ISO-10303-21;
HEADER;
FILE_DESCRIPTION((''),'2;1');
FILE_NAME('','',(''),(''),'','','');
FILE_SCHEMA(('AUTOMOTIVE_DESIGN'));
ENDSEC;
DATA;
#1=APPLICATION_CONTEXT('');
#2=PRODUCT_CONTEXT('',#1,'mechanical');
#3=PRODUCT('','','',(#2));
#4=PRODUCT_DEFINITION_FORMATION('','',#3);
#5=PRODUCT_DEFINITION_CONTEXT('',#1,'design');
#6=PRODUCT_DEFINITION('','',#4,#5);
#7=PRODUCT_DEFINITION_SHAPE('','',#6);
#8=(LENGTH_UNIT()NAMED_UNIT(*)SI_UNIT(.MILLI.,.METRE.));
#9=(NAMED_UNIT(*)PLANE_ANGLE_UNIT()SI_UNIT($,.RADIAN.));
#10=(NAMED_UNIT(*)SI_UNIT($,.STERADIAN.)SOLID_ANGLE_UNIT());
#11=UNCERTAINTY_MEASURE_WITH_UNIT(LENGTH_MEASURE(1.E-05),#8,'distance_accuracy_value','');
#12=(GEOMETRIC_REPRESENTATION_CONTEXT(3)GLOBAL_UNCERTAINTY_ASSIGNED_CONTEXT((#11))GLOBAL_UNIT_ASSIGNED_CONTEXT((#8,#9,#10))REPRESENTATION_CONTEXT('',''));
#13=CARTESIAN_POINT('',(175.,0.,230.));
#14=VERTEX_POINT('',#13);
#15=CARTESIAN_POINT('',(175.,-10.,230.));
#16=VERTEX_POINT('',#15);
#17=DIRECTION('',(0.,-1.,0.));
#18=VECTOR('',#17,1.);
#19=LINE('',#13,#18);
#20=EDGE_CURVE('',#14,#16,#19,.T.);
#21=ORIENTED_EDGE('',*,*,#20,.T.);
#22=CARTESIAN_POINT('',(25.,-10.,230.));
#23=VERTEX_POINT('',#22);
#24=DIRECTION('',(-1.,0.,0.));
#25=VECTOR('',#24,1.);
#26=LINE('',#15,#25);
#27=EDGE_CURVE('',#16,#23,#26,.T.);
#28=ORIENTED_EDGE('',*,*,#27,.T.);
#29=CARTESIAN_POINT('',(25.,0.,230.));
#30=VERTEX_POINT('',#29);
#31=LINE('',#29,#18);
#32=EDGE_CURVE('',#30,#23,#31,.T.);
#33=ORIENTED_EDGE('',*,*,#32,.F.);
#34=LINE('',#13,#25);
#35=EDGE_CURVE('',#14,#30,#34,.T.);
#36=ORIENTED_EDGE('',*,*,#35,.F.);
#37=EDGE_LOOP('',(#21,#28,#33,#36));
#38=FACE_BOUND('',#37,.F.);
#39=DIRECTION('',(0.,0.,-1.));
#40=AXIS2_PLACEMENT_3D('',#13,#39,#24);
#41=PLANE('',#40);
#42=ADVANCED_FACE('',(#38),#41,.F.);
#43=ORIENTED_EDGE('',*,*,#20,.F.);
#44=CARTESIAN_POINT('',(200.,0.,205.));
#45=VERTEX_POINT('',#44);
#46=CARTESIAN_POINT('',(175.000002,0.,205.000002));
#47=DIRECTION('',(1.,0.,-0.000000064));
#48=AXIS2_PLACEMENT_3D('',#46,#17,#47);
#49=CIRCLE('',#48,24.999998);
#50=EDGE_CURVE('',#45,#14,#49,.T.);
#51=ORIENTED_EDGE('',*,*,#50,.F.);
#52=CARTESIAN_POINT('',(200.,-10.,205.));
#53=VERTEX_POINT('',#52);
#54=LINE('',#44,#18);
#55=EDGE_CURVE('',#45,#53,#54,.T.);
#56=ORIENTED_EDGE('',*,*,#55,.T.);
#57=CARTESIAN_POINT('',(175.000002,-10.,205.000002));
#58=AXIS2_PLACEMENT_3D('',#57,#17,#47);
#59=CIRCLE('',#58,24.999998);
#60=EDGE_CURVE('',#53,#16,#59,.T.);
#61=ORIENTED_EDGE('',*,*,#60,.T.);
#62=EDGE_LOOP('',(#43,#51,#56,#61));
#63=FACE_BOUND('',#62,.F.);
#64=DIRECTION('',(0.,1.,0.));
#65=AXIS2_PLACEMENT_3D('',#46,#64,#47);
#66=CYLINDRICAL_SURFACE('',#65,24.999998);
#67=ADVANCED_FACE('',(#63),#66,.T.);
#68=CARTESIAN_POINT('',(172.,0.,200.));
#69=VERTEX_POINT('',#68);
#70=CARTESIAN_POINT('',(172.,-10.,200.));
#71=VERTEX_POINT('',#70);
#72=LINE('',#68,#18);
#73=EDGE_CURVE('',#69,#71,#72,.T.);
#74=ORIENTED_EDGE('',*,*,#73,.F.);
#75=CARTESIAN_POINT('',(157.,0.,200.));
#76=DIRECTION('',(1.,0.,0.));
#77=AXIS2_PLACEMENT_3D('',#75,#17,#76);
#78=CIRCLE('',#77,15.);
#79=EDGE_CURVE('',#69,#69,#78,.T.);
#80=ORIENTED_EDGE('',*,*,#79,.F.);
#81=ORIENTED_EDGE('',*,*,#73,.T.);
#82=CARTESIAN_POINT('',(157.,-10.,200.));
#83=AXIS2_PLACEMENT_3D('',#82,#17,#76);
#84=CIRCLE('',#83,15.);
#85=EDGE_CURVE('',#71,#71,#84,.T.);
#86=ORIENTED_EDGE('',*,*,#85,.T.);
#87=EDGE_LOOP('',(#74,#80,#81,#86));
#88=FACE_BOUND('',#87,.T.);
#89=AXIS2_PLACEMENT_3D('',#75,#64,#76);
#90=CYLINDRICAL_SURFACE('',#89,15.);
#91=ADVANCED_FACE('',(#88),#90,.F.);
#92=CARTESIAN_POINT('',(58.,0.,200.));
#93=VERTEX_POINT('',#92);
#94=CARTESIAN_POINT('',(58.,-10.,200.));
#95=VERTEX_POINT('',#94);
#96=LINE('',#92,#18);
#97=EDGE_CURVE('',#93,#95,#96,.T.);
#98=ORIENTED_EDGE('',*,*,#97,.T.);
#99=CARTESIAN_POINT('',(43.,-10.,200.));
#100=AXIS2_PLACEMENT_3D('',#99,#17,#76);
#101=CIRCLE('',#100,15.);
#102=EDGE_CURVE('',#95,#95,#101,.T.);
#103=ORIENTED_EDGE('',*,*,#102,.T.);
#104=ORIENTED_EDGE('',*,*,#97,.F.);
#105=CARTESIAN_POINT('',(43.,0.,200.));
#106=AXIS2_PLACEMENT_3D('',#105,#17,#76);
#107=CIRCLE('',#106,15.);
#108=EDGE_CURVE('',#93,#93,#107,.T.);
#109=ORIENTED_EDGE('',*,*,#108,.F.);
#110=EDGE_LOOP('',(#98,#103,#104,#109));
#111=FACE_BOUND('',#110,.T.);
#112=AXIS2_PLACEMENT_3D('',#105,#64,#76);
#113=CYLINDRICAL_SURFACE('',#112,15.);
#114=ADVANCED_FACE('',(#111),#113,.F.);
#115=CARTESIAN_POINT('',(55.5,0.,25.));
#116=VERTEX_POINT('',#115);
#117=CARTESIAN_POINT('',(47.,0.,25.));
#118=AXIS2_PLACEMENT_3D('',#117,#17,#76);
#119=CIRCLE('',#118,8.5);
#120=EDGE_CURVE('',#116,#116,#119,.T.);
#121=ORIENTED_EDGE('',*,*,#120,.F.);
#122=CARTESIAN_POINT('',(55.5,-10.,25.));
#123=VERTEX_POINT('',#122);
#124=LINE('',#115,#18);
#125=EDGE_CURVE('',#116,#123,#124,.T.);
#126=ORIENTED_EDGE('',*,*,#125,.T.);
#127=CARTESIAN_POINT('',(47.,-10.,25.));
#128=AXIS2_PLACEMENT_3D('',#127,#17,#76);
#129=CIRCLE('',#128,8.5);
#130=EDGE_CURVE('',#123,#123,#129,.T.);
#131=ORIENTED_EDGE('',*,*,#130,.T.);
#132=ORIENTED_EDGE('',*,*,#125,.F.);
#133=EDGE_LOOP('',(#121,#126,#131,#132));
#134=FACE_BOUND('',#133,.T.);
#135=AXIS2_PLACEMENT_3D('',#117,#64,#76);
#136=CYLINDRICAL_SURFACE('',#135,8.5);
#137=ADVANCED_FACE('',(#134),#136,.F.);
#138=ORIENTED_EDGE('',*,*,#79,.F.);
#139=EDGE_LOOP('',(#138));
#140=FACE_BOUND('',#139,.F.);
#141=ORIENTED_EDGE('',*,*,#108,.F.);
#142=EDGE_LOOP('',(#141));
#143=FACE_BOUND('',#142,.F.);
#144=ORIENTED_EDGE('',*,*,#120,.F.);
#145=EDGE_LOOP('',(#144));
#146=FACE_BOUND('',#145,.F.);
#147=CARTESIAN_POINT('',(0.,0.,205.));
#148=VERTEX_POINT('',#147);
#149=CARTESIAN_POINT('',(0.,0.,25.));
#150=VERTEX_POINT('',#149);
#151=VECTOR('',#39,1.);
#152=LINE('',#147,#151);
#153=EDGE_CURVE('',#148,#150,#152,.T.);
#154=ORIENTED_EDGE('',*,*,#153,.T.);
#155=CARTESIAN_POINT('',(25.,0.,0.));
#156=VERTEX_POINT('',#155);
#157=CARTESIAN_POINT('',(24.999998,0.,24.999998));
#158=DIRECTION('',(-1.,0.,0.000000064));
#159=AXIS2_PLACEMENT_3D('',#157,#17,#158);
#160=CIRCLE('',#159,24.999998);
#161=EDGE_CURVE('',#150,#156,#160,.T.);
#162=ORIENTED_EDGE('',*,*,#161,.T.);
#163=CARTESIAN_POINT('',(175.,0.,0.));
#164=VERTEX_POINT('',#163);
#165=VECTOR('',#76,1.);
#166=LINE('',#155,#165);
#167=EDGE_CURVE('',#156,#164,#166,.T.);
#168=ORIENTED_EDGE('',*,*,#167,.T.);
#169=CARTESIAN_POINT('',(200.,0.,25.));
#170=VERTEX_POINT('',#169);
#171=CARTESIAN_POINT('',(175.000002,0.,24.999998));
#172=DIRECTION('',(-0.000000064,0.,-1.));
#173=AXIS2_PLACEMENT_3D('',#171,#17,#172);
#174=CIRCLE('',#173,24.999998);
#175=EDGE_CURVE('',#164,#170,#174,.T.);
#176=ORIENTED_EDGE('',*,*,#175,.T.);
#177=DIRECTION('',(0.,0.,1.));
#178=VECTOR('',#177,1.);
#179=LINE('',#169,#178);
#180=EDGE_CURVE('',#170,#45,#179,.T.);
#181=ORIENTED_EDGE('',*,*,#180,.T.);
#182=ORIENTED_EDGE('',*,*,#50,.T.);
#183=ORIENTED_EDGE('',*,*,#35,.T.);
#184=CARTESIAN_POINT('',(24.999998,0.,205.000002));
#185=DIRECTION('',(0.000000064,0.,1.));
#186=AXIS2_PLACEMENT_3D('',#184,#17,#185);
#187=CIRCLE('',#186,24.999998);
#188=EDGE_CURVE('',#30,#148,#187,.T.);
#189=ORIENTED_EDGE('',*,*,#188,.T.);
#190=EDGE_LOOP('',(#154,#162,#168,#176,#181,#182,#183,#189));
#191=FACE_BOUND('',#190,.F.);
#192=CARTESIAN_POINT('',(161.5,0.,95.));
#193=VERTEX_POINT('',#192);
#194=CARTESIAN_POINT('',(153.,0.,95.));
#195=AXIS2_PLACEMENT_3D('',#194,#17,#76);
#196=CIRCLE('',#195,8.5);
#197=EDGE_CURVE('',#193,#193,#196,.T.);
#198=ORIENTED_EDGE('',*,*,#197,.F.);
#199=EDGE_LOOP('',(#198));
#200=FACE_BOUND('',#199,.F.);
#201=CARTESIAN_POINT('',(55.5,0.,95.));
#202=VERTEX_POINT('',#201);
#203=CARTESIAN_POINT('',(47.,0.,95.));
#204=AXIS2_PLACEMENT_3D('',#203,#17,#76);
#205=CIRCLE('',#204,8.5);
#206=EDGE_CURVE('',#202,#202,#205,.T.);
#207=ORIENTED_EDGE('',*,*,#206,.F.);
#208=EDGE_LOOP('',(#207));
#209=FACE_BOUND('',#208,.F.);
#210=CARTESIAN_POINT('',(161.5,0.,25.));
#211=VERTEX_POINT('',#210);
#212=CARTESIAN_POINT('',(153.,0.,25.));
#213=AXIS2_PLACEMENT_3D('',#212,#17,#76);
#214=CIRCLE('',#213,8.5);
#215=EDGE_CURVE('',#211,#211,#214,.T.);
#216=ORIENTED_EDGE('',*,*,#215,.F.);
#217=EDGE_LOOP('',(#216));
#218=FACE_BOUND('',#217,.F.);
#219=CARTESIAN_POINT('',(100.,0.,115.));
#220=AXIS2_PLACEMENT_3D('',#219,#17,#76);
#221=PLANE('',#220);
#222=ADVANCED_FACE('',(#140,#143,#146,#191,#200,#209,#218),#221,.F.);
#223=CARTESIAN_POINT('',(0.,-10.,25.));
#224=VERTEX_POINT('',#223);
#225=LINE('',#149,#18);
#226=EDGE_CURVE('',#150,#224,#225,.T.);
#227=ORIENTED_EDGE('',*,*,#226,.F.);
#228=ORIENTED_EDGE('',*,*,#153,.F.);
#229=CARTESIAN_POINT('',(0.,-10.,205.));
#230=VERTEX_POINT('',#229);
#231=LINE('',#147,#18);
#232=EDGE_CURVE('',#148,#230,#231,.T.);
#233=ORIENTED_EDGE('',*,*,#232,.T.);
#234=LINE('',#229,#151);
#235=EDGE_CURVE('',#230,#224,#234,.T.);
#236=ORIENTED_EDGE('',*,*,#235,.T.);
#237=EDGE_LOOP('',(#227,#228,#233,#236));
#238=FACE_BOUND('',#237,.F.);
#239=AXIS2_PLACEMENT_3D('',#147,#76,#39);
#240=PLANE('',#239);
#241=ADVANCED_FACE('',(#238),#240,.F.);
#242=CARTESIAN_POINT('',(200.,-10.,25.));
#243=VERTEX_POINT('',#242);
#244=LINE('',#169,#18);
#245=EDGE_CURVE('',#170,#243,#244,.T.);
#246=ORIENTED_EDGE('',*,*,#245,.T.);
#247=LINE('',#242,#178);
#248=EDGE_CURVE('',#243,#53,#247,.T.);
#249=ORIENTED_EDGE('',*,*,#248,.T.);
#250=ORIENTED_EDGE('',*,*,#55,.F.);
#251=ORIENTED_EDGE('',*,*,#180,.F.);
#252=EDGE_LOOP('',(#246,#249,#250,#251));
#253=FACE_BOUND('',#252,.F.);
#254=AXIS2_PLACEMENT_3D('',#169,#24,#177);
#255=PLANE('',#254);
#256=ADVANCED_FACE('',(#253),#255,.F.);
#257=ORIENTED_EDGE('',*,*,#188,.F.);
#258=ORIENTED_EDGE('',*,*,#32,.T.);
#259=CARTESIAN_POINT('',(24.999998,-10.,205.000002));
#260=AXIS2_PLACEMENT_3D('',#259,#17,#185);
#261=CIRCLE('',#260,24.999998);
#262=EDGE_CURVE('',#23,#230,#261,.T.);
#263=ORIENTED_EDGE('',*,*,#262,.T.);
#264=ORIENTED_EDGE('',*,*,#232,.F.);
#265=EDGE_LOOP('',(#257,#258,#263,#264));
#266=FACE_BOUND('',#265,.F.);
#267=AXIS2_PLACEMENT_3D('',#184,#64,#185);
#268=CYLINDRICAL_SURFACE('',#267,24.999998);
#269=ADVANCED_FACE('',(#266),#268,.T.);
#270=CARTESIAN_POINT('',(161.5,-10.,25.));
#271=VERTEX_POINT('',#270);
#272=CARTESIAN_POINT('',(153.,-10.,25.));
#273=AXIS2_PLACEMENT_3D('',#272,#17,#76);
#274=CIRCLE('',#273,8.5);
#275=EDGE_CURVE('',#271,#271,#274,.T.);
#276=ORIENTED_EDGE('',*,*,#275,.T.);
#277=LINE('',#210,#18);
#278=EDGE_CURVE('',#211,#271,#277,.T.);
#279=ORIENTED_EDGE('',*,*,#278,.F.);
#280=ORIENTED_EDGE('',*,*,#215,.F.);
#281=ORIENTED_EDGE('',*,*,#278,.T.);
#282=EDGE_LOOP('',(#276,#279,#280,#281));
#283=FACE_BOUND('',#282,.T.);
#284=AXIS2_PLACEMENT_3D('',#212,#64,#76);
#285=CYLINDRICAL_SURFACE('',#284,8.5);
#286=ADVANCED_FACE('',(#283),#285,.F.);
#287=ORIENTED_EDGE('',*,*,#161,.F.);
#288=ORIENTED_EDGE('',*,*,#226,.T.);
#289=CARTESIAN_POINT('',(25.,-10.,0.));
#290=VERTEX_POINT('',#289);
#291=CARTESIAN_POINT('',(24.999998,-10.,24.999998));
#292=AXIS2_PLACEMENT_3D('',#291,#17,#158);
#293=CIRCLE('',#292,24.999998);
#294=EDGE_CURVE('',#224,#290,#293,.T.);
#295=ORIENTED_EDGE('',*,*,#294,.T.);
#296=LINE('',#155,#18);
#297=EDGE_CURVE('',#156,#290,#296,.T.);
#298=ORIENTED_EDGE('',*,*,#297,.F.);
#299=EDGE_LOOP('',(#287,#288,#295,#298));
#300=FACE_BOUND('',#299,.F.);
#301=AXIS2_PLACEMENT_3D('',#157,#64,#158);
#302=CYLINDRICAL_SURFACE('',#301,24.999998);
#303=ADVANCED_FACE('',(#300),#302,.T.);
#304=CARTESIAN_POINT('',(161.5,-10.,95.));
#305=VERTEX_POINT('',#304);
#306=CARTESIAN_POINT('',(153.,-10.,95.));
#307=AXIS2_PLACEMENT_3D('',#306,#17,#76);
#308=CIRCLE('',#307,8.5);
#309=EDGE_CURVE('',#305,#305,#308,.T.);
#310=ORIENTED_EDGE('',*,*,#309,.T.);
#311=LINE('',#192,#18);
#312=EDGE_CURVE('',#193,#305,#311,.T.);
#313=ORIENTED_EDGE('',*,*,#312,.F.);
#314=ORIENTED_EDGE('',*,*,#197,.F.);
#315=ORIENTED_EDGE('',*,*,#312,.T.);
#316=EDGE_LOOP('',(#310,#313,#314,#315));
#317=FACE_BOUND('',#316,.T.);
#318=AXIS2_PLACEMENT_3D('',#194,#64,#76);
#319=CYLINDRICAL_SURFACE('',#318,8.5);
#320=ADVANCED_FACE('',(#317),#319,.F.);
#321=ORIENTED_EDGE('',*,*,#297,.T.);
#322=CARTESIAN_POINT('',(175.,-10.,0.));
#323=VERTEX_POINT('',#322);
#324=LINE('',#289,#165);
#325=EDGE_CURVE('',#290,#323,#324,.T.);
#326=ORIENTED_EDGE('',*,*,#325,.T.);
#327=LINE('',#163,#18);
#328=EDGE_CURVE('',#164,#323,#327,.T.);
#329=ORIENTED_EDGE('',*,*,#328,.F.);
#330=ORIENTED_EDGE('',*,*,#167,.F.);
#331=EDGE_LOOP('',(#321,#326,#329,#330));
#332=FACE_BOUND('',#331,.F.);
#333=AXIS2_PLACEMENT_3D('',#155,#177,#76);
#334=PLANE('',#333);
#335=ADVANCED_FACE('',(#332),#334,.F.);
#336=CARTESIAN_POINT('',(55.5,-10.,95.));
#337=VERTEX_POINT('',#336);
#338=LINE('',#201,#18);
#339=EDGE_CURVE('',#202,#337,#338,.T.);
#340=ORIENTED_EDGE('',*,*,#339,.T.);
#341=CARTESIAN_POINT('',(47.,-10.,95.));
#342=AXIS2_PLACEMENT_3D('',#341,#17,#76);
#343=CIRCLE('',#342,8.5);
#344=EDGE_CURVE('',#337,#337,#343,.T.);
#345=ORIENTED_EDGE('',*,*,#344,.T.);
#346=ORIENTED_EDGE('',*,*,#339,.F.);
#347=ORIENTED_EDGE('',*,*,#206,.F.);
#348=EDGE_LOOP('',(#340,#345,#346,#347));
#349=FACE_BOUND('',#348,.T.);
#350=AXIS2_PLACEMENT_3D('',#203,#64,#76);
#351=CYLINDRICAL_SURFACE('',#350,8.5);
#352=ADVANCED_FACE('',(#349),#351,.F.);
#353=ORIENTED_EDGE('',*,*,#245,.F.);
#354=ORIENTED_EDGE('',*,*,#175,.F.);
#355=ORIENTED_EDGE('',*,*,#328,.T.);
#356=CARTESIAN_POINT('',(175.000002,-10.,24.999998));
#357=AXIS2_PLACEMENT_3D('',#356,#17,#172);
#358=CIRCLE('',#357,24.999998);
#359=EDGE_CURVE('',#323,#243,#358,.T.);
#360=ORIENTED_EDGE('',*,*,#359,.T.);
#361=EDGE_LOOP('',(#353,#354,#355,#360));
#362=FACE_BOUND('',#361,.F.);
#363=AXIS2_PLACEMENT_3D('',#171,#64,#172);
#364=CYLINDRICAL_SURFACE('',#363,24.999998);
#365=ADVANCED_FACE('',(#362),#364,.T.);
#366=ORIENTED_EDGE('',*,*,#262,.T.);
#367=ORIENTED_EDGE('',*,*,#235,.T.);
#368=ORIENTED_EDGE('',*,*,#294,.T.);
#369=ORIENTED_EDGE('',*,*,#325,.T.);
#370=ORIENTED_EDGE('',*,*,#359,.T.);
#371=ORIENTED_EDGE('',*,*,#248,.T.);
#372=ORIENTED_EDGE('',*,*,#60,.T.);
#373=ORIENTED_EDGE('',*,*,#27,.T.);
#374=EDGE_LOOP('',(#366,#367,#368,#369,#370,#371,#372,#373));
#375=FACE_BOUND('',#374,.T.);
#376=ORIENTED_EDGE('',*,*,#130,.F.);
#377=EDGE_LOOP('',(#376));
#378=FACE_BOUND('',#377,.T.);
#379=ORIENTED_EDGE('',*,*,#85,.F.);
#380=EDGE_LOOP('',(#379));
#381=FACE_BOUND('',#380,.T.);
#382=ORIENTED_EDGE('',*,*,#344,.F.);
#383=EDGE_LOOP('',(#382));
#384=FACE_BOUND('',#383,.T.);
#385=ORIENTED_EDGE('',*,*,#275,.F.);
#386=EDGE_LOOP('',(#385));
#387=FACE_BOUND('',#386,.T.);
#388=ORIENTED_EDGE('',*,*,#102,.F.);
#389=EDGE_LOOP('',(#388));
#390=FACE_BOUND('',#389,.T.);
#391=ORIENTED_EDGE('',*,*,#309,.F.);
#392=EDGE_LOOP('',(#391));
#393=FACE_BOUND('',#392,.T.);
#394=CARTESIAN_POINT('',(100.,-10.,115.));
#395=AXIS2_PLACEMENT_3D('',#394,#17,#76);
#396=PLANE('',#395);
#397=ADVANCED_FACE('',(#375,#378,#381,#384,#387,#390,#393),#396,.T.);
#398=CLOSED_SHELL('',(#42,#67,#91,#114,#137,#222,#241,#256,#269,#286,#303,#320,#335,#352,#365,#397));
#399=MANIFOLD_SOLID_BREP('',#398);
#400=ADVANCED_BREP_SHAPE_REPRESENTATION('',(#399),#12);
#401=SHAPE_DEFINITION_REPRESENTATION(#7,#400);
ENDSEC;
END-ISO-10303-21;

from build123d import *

# Parameters (mm, degrees)
F0_R     = 8.5
F0_R_2   = 15
F1_DEPTH = 10


with BuildPart() as f1:
    # F0 (on Front) → F1 (new body)
    with BuildSketch(Plane.XZ):
        with BuildLine():
            ThreePointArc((0, 25), (7.32233, 7.32233), (25, 0))
            Line((25, 0), (175, 0))
            ThreePointArc((175, 0), (192.67767, 7.32233), (200, 25))
            Line((200, 25), (200, 205))
            ThreePointArc((200, 205), (192.67767, 222.67767), (175, 230))
            Line((175, 230), (25, 230))
            ThreePointArc((25, 230), (7.32233, 222.67767), (0, 205))
            Line((0, 205), (0, 25))
        make_face()
        with Locations((47, 25)):
            Circle(F0_R, mode=Mode.SUBTRACT)
        with Locations((47, 95)):
            Circle(F0_R, mode=Mode.SUBTRACT)
        with Locations((153, 25)):
            Circle(F0_R, mode=Mode.SUBTRACT)
        with Locations((153, 95)):
            Circle(F0_R, mode=Mode.SUBTRACT)
        with Locations((43, 200)):
            Circle(F0_R_2, mode=Mode.SUBTRACT)
        with Locations((157, 200)):
            Circle(F0_R_2, mode=Mode.SUBTRACT)
    extrude(amount=F1_DEPTH)


solid = f1.part
